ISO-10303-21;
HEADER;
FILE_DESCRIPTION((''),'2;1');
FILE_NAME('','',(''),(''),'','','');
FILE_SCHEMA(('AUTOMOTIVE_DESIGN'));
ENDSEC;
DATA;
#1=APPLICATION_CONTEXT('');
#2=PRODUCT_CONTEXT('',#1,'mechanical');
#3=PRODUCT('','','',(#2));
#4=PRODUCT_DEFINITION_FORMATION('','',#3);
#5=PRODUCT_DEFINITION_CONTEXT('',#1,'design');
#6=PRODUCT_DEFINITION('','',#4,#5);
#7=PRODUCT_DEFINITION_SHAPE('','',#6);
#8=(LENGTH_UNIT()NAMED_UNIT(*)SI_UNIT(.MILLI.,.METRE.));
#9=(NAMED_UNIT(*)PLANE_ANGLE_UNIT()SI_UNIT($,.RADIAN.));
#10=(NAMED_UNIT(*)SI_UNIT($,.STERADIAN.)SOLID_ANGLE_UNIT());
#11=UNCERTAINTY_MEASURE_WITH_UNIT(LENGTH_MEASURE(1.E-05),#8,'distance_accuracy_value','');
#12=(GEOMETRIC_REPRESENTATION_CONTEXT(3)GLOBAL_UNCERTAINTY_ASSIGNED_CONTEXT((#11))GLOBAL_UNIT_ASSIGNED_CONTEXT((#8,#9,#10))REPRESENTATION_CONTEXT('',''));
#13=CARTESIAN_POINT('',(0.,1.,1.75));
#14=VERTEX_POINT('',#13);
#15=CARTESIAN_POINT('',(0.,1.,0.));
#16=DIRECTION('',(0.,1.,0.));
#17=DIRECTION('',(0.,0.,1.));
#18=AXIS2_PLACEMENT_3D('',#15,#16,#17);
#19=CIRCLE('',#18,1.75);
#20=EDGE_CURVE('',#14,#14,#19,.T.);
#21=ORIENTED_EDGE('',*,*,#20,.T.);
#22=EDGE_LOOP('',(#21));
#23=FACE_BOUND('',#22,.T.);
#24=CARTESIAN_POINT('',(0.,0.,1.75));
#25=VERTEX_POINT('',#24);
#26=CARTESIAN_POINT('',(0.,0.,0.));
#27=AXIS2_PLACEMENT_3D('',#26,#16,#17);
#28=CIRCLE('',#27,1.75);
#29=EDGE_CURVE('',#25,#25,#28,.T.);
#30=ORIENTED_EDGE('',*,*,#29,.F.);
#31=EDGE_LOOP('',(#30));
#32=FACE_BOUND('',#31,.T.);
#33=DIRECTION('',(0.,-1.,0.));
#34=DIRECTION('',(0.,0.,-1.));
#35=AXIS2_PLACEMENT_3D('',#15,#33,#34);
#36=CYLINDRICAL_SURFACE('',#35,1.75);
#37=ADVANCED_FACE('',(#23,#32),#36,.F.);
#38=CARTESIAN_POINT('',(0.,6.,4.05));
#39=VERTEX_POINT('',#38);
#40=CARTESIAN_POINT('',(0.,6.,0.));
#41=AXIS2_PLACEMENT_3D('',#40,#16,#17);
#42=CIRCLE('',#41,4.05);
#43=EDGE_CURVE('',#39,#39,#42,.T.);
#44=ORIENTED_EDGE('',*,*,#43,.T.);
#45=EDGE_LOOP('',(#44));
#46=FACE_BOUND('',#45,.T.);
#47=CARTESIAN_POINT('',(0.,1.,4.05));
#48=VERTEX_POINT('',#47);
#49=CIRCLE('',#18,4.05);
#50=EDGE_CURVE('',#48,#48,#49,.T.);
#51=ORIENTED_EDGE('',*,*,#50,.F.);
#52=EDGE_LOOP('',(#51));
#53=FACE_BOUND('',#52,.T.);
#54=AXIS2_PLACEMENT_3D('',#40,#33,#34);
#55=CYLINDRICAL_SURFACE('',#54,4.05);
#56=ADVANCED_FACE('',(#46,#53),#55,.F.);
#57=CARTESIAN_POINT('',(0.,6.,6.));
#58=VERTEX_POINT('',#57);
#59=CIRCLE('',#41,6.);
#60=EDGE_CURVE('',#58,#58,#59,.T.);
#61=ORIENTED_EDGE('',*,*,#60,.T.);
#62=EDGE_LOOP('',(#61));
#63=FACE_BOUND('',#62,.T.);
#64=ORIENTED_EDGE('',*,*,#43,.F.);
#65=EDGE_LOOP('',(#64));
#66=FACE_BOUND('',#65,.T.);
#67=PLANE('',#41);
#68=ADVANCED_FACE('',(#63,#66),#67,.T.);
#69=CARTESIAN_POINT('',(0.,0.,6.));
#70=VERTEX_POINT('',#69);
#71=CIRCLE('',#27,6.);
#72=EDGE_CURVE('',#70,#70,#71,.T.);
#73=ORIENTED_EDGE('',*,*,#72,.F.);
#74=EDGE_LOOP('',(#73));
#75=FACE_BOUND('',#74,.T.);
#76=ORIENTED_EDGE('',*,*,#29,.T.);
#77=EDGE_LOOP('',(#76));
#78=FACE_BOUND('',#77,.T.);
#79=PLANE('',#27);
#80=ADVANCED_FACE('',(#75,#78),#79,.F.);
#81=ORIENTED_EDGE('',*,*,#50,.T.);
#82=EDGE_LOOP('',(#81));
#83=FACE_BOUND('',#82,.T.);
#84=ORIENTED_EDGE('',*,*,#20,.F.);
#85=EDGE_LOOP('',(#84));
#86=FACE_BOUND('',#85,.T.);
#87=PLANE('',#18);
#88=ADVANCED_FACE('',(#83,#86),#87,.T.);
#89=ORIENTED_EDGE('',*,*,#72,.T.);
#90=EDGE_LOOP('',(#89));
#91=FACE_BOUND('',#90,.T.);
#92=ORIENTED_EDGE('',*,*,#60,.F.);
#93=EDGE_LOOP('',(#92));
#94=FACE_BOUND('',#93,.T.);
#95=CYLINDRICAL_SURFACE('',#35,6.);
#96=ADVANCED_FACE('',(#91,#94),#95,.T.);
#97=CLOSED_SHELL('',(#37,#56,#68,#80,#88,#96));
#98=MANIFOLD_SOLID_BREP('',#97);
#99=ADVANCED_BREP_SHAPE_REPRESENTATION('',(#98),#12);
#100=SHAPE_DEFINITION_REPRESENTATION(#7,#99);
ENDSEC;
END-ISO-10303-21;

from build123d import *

# Parameters (mm, degrees)
SKIZZE1_R                       = 6
SKIZZE1_R_2                     = 1.75
AUFSATZ_LINEAR_AUSTRAGEN1_DEPTH = 1
SKIZZE4_R                       = 6
SKIZZE4_R_2                     = 4.05
AUFSATZ_LINEAR_AUSTRAGEN2_DEPTH = 5


with BuildPart() as part:
    # Skizze1 → Aufsatz-Linear austragen1 (new body)
    with BuildSketch(Plane(origin=(0, 0, 0), x_dir=(1, 0, 0), z_dir=(0, 1, 0))):
        with Locations(Location((0, 0, 0), (0, 0, 270))):
            Circle(SKIZZE1_R)
        with Locations(Location((0, 0, 0), (0, 0, 270))):
            Circle(SKIZZE1_R_2, mode=Mode.SUBTRACT)
    extrude(amount=AUFSATZ_LINEAR_AUSTRAGEN1_DEPTH)

    # Skizze4 → Aufsatz-Linear austragen2 (add)
    with BuildSketch(Plane(origin=(0, 1, 0), x_dir=(1, 0, 0), z_dir=(0, 1, 0))):
        with Locations(Location((0, 0, 0), (0, 0, 270))):
            Circle(SKIZZE4_R)
        with Locations(Location((0, 0, 0), (0, 0, 270))):
            Circle(SKIZZE4_R_2, mode=Mode.SUBTRACT)
    extrude(amount=AUFSATZ_LINEAR_AUSTRAGEN2_DEPTH)


solid = part.part
